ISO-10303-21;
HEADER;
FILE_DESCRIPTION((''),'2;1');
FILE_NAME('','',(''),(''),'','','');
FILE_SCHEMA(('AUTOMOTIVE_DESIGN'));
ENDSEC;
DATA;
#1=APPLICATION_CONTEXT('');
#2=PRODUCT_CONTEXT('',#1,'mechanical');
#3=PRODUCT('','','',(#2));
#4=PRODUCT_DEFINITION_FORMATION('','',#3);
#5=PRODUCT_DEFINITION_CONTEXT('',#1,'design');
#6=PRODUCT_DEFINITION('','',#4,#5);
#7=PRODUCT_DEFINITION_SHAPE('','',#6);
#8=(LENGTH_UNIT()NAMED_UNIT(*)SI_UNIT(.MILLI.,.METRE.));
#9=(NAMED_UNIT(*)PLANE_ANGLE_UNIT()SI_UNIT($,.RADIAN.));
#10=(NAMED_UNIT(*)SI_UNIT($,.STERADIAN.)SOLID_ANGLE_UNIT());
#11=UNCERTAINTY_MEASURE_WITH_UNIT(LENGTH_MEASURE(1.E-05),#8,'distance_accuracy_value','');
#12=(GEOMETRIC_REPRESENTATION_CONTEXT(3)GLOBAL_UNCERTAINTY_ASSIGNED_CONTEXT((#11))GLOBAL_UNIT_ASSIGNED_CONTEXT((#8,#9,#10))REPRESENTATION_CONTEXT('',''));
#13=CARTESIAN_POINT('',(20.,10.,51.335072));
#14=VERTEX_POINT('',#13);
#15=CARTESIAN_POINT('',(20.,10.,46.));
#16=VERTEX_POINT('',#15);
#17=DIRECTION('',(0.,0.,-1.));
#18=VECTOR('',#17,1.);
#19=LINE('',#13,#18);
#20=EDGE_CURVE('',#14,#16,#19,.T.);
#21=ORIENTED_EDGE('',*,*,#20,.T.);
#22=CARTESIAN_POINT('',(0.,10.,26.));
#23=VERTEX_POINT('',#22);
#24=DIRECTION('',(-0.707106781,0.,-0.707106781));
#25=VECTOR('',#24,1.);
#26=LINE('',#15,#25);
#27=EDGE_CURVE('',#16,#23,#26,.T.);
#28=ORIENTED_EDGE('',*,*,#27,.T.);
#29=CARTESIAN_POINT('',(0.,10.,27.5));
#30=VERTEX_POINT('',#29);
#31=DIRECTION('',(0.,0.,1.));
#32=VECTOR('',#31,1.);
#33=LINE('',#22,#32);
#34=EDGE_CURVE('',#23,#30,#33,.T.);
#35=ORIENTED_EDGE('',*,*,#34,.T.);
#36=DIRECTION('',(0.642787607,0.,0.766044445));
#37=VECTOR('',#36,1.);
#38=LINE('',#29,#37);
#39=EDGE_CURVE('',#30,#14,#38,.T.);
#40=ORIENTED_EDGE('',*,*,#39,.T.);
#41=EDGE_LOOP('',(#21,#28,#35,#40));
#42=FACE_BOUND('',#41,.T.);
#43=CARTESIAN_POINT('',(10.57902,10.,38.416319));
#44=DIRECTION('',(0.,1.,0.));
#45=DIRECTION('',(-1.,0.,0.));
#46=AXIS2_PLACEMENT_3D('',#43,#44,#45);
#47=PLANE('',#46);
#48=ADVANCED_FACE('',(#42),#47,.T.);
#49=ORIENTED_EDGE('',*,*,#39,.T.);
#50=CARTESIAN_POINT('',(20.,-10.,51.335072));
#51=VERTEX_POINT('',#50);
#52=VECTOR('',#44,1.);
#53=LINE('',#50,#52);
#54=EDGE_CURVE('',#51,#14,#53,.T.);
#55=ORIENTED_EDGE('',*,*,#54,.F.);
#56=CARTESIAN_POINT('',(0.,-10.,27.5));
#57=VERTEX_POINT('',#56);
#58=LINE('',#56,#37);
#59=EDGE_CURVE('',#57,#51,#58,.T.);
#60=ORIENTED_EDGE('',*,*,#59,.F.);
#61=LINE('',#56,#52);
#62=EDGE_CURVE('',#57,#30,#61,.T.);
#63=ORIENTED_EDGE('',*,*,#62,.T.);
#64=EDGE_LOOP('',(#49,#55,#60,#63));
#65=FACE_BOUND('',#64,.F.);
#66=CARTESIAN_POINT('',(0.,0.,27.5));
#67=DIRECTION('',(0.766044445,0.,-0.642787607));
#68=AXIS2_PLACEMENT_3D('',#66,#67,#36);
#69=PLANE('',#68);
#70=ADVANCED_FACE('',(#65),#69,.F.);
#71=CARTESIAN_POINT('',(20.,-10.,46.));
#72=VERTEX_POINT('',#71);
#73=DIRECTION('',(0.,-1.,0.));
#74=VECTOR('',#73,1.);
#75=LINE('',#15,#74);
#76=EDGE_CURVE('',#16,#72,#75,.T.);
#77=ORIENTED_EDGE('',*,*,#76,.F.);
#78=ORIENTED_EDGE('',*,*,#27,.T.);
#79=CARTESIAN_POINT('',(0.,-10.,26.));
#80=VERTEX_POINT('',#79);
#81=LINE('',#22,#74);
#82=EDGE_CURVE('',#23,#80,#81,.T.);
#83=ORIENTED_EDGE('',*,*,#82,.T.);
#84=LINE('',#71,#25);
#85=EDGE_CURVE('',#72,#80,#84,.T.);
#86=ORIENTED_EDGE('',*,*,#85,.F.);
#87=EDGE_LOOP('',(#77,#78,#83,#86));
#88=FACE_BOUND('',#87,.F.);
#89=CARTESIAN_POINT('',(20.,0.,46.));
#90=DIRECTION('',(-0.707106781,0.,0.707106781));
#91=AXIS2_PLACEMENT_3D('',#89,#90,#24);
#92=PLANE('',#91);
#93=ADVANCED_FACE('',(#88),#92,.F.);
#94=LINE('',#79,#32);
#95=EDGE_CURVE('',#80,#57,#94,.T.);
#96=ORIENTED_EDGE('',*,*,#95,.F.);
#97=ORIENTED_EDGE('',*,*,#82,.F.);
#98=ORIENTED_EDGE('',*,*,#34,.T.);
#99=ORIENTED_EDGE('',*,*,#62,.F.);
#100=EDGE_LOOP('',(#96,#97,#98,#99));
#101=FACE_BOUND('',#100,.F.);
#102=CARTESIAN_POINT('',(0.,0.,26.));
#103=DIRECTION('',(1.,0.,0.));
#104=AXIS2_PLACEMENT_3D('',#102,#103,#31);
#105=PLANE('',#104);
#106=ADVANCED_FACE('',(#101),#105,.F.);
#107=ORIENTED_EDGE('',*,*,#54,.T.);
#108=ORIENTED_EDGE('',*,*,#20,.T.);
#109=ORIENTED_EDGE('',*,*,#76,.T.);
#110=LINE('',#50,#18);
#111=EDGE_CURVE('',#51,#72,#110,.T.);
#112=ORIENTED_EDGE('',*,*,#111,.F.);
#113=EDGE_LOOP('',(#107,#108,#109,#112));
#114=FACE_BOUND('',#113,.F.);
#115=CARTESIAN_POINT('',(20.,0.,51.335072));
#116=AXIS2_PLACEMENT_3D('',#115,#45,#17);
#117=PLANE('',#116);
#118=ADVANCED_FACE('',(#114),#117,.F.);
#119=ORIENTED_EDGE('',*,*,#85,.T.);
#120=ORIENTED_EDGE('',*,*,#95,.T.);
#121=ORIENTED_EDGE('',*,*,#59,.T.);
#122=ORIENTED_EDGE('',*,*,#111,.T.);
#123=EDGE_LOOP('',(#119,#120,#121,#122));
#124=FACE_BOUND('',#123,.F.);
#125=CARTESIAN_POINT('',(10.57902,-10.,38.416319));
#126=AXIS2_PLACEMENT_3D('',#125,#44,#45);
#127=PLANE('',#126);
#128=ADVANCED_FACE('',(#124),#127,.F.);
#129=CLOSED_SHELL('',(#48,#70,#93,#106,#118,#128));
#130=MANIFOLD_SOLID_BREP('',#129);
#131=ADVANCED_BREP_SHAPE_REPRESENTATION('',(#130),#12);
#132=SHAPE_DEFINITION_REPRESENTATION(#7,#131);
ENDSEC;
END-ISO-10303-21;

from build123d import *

# Parameters (mm, degrees)
PAD_DEPTH = 10


with BuildPart() as part:
    # Sketch → Pad (new body, symmetric)
    with BuildSketch(Plane.XZ):
        Polygon((0, 26), (0, 27.5), (20, 51.335072), (20, 46), align=None)
    extrude(amount=PAD_DEPTH, both=True)


solid = part.part
